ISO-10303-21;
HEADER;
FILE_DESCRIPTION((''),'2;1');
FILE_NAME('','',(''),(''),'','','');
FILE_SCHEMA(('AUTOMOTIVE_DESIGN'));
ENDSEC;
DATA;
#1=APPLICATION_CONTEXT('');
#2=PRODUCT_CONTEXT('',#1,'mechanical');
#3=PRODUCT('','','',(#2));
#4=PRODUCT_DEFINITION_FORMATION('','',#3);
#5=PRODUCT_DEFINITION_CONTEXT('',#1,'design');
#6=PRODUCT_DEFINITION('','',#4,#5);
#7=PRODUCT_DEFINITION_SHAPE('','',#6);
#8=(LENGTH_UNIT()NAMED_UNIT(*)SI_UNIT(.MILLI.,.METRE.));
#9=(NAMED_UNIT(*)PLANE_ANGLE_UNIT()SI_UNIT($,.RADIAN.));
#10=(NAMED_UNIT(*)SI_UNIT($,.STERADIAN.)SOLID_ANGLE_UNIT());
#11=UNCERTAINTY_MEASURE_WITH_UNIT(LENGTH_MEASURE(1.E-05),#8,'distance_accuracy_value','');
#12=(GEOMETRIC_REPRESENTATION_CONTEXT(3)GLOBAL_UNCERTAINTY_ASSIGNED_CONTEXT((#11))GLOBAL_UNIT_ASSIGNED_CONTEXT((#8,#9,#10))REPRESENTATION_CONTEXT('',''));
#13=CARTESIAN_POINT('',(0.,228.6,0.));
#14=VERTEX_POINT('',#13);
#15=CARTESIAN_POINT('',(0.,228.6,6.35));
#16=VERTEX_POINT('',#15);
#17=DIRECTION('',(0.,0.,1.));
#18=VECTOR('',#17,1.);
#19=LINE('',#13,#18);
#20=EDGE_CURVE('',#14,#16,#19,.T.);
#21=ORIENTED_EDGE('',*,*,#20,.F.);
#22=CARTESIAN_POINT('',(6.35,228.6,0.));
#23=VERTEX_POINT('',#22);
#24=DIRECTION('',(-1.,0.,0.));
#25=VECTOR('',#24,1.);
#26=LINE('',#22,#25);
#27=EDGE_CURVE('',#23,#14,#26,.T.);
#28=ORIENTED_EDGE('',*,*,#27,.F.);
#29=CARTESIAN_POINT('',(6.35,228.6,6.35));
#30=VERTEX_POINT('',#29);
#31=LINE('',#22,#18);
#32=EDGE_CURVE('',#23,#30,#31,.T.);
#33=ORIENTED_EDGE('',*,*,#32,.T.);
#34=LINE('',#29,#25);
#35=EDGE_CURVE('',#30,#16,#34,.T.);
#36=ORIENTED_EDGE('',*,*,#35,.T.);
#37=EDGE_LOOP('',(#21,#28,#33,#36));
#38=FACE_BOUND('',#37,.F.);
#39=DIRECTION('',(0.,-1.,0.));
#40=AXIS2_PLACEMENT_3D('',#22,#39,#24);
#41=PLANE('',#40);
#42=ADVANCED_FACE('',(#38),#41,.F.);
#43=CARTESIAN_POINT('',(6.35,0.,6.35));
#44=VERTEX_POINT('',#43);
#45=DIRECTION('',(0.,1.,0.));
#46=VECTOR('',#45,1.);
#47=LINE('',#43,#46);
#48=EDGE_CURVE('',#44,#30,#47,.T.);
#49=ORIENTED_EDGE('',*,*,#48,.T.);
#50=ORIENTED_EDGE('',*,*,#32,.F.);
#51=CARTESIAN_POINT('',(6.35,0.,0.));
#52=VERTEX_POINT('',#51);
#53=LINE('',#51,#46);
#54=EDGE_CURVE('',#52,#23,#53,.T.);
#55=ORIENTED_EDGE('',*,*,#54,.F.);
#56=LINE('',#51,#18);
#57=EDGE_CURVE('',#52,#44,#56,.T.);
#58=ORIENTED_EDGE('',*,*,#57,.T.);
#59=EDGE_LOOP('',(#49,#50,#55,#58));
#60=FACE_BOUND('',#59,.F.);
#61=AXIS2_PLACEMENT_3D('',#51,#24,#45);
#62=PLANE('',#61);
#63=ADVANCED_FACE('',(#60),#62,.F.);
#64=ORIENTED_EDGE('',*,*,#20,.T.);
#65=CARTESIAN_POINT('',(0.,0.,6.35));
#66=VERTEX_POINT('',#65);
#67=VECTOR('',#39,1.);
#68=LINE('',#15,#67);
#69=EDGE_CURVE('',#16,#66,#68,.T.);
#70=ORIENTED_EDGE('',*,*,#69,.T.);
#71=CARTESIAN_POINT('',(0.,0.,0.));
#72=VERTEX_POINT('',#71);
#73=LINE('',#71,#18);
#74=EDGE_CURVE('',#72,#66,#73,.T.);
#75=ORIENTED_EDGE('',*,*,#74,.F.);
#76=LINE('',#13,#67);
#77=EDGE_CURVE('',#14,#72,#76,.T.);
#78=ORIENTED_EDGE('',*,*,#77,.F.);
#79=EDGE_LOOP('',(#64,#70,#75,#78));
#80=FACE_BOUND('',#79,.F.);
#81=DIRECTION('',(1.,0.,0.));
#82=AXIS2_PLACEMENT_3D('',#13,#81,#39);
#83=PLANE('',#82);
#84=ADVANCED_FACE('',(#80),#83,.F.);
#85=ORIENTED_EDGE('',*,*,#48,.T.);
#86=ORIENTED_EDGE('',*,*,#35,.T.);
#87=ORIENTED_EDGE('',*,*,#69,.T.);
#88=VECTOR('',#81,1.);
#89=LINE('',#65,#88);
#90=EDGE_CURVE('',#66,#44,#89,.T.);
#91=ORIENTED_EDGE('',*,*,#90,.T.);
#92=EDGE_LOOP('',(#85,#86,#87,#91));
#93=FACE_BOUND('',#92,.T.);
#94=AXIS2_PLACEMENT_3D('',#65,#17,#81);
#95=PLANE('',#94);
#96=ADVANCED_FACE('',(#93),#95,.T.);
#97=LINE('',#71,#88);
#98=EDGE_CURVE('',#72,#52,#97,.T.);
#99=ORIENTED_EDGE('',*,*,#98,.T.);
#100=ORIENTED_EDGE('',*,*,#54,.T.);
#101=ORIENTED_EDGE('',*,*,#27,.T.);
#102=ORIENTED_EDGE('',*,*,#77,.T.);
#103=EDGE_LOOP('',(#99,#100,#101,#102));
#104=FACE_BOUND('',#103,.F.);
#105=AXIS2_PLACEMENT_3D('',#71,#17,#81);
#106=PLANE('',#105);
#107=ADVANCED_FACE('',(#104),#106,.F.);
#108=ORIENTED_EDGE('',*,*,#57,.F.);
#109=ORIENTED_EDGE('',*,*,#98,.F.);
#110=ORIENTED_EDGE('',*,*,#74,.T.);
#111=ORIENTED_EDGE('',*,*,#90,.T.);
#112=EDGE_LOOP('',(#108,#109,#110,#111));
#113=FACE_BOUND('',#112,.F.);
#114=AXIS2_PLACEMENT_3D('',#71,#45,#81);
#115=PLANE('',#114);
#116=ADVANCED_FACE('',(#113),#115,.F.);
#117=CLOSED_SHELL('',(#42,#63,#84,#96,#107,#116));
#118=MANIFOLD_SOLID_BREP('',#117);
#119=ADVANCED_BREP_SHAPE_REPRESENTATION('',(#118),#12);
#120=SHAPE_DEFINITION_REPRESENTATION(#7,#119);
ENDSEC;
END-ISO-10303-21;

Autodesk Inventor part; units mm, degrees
ref_plane "YZ Plane" through (0, 0, 0) normal (1, 0, 0) x (0, 1, 0)
ref_plane "XZ Plane" through (0, 0, 0) normal (0, 1, 0) x (-1, 0, 0)
ref_plane "XY Plane" through (0, 0, 0) normal (0, 0, 1) x (1, 0, 0)
sketch "Sketch1" plane through (0, 0, 0) normal (0, 0, 1) x (1, 0, 0)
  line L0 (0, 0) -> (6.35, 0)
  line L1 (6.35, 0) -> (6.35, 228.6)
  line L2 (6.35, 228.6) -> (0, 228.6)
  line L3 (0, 228.6) -> (0, 0)
  dimension "d0" = 6.35
  dimension "d1" = 228.6
extrude "Extrusion1" add sketch "Sketch1" along normal blind 6.35
properties part number "topbarlift"
